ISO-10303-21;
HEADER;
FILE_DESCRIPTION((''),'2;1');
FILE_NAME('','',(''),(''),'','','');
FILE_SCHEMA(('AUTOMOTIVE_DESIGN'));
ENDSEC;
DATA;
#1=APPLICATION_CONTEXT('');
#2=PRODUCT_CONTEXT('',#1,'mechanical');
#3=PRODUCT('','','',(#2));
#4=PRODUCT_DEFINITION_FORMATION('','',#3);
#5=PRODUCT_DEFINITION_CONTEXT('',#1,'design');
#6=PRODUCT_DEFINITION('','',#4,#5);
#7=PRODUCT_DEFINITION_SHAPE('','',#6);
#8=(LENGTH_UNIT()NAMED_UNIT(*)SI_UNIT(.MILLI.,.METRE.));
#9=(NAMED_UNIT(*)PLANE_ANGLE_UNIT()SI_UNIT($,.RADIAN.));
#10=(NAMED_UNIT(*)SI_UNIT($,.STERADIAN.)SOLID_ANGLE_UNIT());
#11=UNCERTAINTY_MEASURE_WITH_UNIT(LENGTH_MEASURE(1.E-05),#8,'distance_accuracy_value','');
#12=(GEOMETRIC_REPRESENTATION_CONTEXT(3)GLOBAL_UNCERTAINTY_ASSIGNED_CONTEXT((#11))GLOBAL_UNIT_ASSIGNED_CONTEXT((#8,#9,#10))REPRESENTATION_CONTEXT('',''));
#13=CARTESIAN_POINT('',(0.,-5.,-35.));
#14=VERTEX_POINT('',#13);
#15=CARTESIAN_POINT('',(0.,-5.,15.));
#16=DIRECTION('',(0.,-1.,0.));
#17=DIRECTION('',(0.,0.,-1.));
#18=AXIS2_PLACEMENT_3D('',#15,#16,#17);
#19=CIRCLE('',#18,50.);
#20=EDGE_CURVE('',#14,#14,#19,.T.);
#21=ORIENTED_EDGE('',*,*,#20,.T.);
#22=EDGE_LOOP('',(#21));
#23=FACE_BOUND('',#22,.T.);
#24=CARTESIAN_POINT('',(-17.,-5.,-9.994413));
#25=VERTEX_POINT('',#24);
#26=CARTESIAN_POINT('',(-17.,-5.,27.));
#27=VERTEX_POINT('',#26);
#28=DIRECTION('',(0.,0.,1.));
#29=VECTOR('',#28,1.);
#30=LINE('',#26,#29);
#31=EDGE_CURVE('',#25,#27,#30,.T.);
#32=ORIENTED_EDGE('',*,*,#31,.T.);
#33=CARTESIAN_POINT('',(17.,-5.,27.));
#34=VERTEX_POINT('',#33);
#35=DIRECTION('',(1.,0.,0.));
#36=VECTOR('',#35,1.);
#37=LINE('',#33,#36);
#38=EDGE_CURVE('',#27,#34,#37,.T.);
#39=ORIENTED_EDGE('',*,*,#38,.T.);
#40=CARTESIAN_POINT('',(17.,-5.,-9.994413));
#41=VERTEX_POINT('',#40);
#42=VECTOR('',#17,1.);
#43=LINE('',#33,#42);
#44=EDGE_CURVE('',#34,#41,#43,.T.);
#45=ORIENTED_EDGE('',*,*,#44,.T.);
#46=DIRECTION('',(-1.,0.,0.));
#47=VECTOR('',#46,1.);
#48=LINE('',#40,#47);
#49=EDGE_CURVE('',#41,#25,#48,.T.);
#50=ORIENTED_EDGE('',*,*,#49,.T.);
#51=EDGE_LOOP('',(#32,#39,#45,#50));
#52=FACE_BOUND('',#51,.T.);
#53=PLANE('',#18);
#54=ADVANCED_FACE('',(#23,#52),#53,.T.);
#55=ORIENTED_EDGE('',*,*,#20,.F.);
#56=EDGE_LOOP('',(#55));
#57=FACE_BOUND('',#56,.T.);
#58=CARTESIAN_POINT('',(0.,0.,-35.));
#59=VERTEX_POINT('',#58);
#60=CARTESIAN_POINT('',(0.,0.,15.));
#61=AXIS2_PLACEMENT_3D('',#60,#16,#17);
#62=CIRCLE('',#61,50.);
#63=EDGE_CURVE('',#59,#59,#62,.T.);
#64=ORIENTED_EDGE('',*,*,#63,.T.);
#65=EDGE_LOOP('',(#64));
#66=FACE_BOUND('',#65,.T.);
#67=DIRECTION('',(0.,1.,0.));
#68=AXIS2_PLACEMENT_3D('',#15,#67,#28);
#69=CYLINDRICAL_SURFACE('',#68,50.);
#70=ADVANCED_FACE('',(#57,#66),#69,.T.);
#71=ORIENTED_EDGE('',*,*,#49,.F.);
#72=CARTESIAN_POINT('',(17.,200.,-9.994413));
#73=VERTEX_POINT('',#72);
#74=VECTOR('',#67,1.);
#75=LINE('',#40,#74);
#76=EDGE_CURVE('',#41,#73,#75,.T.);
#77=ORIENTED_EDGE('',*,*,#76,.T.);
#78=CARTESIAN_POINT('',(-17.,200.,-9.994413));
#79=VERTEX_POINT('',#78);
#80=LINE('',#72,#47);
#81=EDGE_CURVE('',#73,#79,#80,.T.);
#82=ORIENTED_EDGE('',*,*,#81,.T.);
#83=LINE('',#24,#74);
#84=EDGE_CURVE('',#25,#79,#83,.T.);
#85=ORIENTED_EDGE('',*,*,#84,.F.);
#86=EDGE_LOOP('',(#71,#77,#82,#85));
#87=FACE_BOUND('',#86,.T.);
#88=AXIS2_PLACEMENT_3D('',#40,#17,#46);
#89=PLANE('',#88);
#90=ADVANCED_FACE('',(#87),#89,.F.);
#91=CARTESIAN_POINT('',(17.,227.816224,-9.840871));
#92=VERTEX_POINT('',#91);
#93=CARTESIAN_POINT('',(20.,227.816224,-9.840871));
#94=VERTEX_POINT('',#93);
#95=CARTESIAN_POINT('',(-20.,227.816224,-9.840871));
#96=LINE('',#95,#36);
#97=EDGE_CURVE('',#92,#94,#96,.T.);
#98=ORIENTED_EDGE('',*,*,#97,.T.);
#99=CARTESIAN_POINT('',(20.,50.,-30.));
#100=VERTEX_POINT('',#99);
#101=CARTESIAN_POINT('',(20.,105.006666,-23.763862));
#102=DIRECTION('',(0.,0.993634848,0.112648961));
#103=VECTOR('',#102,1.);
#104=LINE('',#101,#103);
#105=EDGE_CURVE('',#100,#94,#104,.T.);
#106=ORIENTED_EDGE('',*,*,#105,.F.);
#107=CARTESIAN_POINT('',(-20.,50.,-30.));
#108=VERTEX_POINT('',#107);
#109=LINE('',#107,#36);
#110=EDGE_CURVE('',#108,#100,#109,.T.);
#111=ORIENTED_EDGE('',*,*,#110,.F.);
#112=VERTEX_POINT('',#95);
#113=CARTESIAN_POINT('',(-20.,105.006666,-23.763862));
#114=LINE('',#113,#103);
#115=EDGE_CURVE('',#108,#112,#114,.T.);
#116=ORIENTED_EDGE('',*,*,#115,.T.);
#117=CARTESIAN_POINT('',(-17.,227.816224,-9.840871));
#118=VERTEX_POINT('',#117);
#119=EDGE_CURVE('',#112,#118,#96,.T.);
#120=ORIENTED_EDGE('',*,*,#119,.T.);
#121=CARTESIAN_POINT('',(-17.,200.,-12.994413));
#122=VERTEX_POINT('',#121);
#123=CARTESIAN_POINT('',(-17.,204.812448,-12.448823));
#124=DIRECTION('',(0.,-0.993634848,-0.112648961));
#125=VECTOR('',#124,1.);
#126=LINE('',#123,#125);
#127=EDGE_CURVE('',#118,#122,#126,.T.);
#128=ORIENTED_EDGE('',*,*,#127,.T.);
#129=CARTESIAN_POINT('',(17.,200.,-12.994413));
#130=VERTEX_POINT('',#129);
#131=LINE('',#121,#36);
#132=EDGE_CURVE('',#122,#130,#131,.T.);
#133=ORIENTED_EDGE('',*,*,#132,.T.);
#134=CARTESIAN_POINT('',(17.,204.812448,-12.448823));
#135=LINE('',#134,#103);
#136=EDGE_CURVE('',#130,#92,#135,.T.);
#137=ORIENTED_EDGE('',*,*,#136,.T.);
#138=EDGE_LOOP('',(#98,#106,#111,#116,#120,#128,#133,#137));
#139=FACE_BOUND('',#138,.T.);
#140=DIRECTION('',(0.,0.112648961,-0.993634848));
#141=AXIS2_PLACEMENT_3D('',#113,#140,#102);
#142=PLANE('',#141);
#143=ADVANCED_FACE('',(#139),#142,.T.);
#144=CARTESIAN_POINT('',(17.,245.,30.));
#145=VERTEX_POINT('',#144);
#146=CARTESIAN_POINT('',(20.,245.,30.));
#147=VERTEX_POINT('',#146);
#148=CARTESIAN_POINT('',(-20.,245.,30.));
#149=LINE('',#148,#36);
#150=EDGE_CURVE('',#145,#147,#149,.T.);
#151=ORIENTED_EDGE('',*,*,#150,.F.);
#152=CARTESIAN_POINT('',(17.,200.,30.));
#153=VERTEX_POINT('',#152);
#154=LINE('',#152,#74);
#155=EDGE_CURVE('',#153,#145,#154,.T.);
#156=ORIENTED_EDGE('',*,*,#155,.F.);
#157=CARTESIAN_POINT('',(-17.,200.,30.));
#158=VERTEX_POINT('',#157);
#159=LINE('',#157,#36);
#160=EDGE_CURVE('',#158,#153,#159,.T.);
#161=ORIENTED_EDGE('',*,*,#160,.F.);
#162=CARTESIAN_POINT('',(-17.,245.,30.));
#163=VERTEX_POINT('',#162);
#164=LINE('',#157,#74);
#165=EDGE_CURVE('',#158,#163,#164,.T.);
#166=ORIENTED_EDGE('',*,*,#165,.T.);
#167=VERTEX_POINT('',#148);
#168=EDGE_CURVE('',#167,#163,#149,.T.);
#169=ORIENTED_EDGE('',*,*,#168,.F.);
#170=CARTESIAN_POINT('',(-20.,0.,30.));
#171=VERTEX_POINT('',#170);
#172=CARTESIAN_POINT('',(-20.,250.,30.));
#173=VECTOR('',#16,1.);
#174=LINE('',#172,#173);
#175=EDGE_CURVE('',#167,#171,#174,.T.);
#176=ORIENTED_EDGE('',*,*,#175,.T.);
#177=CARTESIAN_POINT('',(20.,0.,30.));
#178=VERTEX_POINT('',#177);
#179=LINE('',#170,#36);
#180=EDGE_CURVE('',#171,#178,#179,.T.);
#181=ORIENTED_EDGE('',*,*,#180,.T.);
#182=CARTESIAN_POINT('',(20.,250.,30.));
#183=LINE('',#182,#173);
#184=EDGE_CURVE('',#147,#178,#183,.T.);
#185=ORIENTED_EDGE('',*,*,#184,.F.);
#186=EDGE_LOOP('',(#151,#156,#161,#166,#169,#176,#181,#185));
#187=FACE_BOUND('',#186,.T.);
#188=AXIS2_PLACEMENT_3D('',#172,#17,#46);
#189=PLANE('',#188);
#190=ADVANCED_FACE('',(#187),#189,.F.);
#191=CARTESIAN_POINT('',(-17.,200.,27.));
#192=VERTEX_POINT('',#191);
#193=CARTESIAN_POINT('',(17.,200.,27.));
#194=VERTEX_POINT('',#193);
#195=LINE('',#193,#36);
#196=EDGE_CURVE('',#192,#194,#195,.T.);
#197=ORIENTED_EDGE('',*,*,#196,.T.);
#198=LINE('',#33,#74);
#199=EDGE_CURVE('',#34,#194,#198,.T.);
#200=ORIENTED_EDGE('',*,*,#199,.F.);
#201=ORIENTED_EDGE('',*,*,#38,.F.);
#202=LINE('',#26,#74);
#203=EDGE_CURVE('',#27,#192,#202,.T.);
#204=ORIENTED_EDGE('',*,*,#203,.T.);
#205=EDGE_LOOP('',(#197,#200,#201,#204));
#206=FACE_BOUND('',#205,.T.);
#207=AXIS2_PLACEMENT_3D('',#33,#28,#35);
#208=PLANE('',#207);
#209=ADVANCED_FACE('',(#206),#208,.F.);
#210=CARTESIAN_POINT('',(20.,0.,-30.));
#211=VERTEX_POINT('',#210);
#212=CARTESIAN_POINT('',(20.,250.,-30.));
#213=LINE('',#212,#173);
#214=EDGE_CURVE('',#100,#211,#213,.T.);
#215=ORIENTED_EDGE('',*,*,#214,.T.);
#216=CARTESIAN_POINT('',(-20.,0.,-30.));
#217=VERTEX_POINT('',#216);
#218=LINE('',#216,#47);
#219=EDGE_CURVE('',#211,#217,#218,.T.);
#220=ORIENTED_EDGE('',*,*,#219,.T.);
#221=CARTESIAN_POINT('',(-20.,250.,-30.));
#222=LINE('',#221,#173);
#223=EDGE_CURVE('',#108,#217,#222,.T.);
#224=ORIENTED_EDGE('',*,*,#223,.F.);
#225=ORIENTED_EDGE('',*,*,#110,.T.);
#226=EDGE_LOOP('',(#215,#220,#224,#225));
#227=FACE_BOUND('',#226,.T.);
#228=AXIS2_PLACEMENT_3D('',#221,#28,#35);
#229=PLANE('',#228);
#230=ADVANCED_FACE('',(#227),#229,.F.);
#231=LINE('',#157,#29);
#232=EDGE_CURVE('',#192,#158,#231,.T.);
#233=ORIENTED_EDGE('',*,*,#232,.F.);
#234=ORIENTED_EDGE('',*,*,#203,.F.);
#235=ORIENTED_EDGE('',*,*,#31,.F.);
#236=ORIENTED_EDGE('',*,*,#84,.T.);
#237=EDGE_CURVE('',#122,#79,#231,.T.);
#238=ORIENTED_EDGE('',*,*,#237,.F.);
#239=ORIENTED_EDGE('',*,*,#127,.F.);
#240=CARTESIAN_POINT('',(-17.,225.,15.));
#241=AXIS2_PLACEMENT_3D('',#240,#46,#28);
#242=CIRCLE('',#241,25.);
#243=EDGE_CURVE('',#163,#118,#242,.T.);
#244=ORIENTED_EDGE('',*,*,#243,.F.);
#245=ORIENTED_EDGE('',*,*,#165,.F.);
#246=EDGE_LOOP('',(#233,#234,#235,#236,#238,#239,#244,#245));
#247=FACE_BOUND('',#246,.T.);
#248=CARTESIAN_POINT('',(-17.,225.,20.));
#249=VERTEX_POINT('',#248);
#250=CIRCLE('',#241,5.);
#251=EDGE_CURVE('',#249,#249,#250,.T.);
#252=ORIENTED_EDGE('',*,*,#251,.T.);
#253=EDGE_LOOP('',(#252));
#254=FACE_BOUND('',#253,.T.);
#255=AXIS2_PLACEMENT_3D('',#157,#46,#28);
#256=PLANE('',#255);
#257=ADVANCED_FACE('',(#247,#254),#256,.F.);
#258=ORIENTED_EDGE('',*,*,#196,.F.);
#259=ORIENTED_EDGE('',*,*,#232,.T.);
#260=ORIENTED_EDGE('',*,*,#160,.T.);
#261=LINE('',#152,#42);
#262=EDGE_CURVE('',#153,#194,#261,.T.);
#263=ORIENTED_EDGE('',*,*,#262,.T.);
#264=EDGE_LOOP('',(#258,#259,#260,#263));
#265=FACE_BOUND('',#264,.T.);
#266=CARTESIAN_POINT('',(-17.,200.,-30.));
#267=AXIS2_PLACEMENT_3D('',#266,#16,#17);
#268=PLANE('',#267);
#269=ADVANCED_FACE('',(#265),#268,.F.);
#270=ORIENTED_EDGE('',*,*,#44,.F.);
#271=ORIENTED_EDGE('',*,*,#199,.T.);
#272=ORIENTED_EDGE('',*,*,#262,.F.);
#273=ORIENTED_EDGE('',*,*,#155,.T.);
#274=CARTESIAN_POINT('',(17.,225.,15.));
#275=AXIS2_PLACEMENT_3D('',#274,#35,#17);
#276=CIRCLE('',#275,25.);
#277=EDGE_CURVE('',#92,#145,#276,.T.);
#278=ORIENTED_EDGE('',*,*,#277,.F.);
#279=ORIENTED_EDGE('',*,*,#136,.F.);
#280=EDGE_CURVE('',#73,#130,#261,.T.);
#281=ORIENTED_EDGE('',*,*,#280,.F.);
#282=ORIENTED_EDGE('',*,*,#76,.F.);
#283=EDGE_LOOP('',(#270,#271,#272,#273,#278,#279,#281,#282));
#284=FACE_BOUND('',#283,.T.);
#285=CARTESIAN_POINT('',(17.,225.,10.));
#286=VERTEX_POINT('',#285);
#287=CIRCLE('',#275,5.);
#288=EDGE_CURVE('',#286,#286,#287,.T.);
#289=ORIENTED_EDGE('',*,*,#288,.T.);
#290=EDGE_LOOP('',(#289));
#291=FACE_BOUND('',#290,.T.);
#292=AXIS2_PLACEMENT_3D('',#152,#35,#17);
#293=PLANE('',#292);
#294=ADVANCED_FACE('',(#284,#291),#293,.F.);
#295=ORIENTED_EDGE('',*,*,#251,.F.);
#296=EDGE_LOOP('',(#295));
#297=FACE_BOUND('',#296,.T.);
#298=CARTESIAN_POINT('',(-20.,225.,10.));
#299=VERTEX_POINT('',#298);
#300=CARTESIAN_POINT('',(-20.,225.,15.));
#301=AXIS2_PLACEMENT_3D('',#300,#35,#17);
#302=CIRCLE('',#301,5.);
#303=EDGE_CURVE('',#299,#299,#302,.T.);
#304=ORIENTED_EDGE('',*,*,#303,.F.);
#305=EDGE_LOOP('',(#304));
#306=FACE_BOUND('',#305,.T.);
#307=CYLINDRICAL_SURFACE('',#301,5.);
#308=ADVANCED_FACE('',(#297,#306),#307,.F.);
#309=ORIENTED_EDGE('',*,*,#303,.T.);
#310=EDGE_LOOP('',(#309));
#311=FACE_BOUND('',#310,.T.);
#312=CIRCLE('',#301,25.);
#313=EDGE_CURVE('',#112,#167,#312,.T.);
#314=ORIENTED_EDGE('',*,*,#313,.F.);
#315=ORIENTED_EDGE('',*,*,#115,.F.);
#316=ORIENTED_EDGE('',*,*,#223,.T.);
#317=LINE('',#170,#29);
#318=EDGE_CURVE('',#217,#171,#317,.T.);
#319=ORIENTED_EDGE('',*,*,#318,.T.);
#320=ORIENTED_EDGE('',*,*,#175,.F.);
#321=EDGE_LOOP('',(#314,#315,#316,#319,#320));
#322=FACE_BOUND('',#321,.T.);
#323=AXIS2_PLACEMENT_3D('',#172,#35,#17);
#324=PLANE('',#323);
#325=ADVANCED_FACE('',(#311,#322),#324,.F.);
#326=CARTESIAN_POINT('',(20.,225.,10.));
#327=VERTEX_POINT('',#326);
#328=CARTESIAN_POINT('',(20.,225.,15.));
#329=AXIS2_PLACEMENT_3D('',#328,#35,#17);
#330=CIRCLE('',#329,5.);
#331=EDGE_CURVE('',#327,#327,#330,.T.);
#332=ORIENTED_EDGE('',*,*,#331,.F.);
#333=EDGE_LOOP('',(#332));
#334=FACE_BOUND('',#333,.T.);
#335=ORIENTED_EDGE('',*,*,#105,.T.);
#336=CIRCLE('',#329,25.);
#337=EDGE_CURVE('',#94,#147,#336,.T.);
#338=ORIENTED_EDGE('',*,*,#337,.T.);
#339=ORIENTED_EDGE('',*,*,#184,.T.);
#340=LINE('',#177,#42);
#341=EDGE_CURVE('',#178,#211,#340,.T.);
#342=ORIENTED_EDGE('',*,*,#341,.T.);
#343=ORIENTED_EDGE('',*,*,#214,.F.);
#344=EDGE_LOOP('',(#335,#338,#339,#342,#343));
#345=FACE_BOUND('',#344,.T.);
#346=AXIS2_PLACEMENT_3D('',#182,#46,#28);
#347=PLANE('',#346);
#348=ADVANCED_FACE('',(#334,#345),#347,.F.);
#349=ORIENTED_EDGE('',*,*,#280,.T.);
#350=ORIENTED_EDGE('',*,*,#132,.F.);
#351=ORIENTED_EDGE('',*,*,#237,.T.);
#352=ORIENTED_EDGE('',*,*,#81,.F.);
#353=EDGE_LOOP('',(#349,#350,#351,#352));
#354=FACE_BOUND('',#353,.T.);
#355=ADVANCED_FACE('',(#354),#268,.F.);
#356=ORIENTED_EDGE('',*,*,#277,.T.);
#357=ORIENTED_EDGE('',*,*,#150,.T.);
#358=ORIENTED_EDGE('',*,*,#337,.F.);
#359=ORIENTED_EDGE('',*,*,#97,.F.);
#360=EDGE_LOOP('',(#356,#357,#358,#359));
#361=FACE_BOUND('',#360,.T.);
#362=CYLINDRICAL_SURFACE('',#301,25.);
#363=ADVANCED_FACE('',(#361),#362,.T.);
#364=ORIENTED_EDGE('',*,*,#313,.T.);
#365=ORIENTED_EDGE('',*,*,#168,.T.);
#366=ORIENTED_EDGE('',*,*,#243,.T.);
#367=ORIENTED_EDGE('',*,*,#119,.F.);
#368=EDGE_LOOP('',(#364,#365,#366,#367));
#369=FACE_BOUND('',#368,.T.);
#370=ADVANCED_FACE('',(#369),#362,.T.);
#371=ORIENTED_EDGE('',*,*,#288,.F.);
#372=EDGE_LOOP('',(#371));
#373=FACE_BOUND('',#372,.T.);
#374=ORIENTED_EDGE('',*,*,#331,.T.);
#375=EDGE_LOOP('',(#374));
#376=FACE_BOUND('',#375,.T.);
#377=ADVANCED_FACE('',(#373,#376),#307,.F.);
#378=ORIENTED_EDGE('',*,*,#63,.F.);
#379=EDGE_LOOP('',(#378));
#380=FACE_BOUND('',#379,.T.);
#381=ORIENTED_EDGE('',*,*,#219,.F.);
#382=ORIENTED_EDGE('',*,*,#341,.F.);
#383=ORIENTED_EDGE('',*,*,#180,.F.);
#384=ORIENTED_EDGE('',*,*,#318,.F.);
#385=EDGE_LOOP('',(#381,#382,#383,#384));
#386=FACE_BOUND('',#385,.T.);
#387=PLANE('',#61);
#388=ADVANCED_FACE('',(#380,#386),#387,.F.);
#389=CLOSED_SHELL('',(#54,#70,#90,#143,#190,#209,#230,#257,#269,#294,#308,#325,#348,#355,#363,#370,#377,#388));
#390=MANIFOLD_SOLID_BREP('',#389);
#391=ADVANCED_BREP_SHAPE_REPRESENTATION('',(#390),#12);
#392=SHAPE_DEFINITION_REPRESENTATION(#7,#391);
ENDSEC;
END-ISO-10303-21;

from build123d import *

# Parameters (mm, degrees)
CROQUIS1_W              = 40
CROQUIS1_H              = 60
SALIENTE_EXTRUIR1_DEPTH = 250
CROQUIS2_W              = 34
CROQUIS2_H              = 60
CORTAR_EXTRUIR1_DEPTH   = 50
CROQUIS3_R              = 5
CORTAR_EXTRUIR2_DEPTH   = 255.95097568
CORTAR_EXTRUIR5_DEPTH   = 255.95097568
CROQUIS6_R              = 50
SALIENTE_EXTRUIR2_DEPTH = 5
CROQUIS7_W              = 34
CROQUIS7_H              = 36.99441271
CORTAR_EXTRUIR6_DEPTH   = 221.794021658


with BuildPart() as part:
    # Croquis1 → Saliente-Extruir1 (new body)
    with BuildSketch(Plane(origin=(0, 0, 0), x_dir=(1, 0, 0), z_dir=(0, 1, 0))):
        Rectangle(CROQUIS1_W, CROQUIS1_H)
    extrude(amount=SALIENTE_EXTRUIR1_DEPTH)

    # Croquis2 → Cortar-Extruir1 (cut)
    with BuildSketch(Plane(origin=(0, 250, 0), x_dir=(1, 0, 0), z_dir=(0, 1, 0))):
        Rectangle(CROQUIS2_W, CROQUIS2_H)
    extrude(amount=-CORTAR_EXTRUIR1_DEPTH, mode=Mode.SUBTRACT)

    # Croquis3 → Cortar-Extruir2 (cut, through all)
    with BuildSketch(Plane(origin=(20, 0, 0), x_dir=(0, 0, -1), z_dir=(1, 0, 0))):
        with Locations((-15, 225)):
            Circle(CROQUIS3_R)
    extrude(amount=-CORTAR_EXTRUIR2_DEPTH, mode=Mode.SUBTRACT)

    # Croquis5 → Cortar-Extruir5 (cut, through all)
    with BuildSketch(Plane(origin=(20, 0, 0), x_dir=(0, 0, -1), z_dir=(1, 0, 0))):
        with BuildLine():
            Line((9.840871205, 227.816224024), (30, 50))
            Line((30, 50), (30, 250))
            Line((30, 250), (-15.00000011, 250))
            ThreePointArc((-15.00000011, 250), (1.652243042, 243.646790653), (9.840871205, 227.816224024))
        make_face()
        with BuildLine():
            ThreePointArc((-30, 245), (-22.905694203, 248.717082434), (-15.00000011, 250))
            Line((-15.00000011, 250), (-30, 250))
            Line((-30, 250), (-30, 245))
        make_face()
    extrude(amount=-CORTAR_EXTRUIR5_DEPTH, mode=Mode.SUBTRACT)

    # Croquis6 → Saliente-Extruir2 (add)
    with BuildSketch(Plane.XZ):
        with Locations(Location((0, 15, 0), (0, 0, 270))):
            Circle(CROQUIS6_R)
    extrude(amount=SALIENTE_EXTRUIR2_DEPTH)

    # Croquis7 → Cortar-Extruir6 (cut, through all)
    with BuildSketch(Plane(origin=(0, 200, 0), x_dir=(1, 0, 0), z_dir=(0, 1, 0))):
        with Locations((0, -8.502793645)):
            Rectangle(CROQUIS7_W, CROQUIS7_H)
    extrude(amount=-CORTAR_EXTRUIR6_DEPTH, mode=Mode.SUBTRACT)


solid = part.part
